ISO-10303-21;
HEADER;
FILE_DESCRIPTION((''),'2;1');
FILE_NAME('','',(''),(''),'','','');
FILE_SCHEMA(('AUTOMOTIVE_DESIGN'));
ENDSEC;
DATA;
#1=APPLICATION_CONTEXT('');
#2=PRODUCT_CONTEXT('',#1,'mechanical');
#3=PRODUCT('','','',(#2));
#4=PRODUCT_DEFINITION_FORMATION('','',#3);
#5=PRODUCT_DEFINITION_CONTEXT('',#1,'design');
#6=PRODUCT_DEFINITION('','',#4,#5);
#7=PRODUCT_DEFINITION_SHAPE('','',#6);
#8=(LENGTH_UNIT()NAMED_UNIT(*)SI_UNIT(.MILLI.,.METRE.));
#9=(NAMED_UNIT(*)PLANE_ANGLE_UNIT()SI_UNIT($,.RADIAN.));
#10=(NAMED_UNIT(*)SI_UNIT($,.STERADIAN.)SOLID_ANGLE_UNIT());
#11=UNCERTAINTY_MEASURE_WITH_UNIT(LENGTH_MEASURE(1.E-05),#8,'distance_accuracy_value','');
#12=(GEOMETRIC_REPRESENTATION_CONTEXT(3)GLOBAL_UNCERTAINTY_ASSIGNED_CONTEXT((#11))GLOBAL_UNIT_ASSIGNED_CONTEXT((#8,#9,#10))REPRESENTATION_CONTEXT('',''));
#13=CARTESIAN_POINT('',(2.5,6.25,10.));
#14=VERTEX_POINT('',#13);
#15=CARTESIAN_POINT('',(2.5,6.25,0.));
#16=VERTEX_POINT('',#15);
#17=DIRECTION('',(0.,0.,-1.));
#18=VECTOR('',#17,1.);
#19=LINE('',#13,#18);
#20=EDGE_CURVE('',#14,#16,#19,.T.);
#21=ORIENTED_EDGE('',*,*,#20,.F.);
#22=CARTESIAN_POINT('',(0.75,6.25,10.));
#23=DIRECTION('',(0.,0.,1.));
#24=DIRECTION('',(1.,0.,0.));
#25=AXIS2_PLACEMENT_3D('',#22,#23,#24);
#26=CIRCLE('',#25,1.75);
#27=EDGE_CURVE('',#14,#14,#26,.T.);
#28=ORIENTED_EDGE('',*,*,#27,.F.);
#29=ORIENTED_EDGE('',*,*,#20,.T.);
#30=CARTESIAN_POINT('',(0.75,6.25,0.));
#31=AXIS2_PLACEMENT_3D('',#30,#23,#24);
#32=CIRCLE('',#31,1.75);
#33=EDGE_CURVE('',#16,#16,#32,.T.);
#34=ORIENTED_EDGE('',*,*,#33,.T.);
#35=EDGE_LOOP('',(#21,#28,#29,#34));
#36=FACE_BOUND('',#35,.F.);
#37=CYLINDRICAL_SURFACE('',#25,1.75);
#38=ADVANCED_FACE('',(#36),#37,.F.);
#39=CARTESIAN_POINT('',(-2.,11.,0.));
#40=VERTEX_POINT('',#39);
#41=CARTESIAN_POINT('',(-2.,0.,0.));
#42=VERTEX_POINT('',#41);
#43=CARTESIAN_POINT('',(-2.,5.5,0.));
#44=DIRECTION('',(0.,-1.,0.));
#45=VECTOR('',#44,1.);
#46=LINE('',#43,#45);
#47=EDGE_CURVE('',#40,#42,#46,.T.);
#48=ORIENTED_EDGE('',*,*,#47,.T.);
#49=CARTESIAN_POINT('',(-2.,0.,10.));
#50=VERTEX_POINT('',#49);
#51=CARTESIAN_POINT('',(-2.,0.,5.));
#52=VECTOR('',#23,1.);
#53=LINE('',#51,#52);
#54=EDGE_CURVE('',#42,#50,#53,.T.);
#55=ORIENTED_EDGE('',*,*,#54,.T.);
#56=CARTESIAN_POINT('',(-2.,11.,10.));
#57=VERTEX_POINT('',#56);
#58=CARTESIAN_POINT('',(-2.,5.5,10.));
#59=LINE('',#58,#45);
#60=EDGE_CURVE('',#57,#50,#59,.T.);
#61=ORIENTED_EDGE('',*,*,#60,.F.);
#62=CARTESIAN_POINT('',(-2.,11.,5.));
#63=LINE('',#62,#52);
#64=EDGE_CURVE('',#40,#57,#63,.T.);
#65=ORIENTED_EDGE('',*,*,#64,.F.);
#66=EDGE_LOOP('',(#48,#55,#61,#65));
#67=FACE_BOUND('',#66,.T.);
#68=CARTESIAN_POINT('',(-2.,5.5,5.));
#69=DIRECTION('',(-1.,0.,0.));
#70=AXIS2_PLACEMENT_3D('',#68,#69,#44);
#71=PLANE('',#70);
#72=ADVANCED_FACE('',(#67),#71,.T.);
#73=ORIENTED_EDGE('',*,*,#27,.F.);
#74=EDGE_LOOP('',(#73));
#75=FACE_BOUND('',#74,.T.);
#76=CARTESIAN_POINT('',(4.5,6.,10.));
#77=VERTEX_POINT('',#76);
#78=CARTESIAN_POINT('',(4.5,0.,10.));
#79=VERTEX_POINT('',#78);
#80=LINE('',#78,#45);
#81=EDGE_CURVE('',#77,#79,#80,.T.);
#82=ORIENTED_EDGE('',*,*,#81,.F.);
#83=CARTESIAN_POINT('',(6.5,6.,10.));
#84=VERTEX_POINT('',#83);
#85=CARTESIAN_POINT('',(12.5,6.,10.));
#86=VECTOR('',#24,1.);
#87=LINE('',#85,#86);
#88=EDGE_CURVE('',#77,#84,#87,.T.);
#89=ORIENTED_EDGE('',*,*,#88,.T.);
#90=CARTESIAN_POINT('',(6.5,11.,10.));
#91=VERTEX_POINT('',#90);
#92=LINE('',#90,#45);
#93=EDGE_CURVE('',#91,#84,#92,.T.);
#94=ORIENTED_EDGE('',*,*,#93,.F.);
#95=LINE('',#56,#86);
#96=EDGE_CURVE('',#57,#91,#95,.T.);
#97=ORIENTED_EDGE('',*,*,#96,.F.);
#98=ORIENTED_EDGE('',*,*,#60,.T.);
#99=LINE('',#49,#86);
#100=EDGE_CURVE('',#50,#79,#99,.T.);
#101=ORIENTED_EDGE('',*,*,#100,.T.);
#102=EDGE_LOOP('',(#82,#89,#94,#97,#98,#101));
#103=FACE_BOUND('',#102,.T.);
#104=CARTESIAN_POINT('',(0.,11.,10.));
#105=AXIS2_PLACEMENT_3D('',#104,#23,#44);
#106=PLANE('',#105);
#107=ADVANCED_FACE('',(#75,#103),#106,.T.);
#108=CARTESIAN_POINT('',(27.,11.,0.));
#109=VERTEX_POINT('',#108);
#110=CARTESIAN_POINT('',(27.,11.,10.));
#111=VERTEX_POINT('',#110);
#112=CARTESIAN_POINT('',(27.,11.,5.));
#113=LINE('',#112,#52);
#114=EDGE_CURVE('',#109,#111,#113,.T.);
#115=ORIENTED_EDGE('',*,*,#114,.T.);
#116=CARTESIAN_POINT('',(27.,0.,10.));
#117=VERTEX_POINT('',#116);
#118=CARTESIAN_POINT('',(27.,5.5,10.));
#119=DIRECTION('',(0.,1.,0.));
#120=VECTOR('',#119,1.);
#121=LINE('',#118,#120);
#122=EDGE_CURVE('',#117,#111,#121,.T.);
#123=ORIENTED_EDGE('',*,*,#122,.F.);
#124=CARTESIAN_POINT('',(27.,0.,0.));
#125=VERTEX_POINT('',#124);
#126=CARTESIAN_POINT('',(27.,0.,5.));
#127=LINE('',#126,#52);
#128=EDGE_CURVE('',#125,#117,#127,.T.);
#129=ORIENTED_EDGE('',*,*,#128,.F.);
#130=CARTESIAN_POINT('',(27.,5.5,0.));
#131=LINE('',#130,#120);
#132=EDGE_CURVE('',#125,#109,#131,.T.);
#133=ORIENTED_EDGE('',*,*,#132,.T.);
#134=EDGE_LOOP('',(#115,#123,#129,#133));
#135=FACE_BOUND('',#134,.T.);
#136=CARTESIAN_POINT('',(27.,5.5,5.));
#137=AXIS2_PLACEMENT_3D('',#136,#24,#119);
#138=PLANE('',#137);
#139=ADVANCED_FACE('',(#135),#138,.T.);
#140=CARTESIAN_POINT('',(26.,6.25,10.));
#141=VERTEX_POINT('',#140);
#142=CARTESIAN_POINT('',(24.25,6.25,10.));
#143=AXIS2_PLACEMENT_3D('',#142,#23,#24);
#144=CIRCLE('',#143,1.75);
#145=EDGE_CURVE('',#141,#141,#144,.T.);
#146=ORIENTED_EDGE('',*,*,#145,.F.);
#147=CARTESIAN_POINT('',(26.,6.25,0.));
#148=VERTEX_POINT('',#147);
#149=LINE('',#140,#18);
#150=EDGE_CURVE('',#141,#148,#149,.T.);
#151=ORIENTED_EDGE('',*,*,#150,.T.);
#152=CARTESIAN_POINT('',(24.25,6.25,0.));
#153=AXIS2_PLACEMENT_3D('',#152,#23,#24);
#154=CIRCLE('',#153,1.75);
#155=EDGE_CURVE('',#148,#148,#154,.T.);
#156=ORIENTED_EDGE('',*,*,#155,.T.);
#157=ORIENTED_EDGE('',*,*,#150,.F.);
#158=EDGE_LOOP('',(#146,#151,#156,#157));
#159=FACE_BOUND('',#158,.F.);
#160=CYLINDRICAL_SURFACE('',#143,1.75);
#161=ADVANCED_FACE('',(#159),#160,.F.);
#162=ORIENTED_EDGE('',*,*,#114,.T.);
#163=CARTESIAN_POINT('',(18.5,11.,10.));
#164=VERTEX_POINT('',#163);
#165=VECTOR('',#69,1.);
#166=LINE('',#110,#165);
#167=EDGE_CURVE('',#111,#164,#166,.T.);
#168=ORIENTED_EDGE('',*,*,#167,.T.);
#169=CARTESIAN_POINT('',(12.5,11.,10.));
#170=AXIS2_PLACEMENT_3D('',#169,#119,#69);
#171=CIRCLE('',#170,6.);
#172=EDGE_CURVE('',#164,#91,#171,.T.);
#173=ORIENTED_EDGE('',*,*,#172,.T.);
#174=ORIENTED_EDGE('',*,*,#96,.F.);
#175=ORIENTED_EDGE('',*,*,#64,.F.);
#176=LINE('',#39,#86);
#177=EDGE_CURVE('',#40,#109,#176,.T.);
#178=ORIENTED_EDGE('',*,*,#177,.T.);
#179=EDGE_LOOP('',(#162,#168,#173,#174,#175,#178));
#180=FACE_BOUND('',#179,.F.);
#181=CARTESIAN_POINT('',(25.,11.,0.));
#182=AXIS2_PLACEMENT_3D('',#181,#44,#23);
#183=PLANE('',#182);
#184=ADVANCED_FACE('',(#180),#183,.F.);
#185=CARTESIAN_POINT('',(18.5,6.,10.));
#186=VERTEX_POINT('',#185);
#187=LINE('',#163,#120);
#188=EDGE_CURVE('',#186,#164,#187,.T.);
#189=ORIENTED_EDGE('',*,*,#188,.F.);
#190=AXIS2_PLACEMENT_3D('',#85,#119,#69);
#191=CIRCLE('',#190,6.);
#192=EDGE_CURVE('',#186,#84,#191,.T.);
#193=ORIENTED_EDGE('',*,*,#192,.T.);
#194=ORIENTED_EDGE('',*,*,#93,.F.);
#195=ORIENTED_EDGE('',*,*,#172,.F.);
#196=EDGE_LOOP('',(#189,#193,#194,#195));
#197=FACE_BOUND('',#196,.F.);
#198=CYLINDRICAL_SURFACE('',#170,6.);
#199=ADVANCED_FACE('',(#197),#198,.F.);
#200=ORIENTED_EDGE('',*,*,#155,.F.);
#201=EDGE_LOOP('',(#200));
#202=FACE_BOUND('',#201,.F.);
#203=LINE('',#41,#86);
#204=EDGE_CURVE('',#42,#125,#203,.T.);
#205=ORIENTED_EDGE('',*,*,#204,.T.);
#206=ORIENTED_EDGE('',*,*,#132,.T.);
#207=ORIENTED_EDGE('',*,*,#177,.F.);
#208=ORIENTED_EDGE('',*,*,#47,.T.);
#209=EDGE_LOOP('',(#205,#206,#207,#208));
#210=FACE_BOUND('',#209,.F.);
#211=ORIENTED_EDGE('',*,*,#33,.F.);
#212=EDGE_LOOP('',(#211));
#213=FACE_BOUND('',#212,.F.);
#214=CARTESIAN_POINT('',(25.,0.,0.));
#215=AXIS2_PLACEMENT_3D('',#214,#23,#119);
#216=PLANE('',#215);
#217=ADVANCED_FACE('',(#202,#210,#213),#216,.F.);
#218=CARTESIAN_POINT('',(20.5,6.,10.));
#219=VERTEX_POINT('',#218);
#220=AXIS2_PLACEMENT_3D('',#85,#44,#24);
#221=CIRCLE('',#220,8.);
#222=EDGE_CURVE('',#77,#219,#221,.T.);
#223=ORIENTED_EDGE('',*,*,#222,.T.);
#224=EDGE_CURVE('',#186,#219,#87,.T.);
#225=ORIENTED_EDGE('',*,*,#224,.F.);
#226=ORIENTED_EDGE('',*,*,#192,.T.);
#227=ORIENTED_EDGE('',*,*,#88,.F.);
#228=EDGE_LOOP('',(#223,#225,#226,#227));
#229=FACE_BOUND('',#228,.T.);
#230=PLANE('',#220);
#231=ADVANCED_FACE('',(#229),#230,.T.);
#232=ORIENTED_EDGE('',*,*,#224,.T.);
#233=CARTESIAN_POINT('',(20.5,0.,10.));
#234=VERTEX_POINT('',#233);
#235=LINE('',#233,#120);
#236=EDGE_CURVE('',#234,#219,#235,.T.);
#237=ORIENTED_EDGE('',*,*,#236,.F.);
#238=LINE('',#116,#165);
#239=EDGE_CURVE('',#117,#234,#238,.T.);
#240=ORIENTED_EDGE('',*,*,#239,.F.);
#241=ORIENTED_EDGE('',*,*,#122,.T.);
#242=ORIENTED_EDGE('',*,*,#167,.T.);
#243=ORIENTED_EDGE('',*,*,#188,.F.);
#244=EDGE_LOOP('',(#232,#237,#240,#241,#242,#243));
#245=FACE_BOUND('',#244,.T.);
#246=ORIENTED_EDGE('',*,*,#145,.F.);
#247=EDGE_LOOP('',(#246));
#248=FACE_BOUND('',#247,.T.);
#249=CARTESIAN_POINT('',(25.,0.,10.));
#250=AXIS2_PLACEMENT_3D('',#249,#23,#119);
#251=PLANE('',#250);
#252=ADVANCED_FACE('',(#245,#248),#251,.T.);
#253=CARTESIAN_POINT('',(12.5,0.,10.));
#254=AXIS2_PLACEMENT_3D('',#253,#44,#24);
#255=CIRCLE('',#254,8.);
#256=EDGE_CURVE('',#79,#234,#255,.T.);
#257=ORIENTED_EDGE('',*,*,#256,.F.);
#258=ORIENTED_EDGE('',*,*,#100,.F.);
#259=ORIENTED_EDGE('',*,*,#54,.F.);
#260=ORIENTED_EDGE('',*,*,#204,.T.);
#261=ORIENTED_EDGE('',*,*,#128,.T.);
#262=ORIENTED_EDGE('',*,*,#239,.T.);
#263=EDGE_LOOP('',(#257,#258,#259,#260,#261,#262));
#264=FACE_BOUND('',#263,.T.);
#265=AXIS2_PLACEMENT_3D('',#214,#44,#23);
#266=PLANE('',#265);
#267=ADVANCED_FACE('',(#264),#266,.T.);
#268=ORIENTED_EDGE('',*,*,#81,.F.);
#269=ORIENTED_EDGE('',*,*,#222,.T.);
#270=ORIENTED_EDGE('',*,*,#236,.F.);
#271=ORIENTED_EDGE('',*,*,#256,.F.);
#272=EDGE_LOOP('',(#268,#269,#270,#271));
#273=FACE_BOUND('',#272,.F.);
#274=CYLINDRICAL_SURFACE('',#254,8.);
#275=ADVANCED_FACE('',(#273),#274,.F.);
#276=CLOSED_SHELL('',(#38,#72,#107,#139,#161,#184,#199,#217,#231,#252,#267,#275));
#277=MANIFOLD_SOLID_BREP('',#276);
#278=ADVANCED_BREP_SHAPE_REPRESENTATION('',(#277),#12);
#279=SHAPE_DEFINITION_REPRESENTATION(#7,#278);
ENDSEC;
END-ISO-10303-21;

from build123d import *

# Parameters (mm, degrees)
F0_W      = 25
F0_H      = 11
F1_DEPTH  = 10
F2_R      = 8
F3_DEPTH  = 6
F4_R      = 6
F5_DEPTH  = 6
F6_W      = 11
F6_H      = 10
F7_DEPTH  = 2
F8_W      = 11
F8_H      = 10
F9_DEPTH  = 2
F10_R     = 1.75
F11_DEPTH = 25


with BuildPart() as f1:
    # F0 (on Top) → F1 (new body)
    with BuildSketch(Plane.XY):
        with Locations((12.5, 5.5)):
            Rectangle(F0_W, F0_H)
    extrude(amount=F1_DEPTH)

    # F2 (on face) → F3 (cut)
    with BuildSketch(Plane.XZ):
        with Locations((12.5, 10)):
            Circle(F2_R)
    extrude(amount=-F3_DEPTH, mode=Mode.SUBTRACT)

    # F4 (on face) → F5 (cut)
    with BuildSketch(Plane(origin=(0, 11, 0), x_dir=(-1, 0, 0), z_dir=(0, 1, 0))):
        with Locations((-12.5, 10)):
            Circle(F4_R)
    extrude(amount=-F5_DEPTH, mode=Mode.SUBTRACT)

    # F6 (on face) → F7 (join)
    with BuildSketch(Plane(origin=(0, 0, 0), x_dir=(0, -1, 0), z_dir=(-1, 0, 0))):
        with Locations((-5.5, 5)):
            Rectangle(F6_W, F6_H)
    extrude(amount=F7_DEPTH)

    # F8 (on face) → F9 (join)
    with BuildSketch(Plane.YZ.offset(25)):
        with Locations((5.5, 5)):
            Rectangle(F8_W, F8_H)
    extrude(amount=F9_DEPTH)

    # F10 (on face) → F11 (cut)
    with BuildSketch(Plane.XY.offset(10)):
        with Locations((0.75, 6.25)):
            Circle(F10_R)
        with Locations((24.25, 6.25)):
            Circle(F10_R)
    extrude(amount=-F11_DEPTH, mode=Mode.SUBTRACT)


solid = f1.part
